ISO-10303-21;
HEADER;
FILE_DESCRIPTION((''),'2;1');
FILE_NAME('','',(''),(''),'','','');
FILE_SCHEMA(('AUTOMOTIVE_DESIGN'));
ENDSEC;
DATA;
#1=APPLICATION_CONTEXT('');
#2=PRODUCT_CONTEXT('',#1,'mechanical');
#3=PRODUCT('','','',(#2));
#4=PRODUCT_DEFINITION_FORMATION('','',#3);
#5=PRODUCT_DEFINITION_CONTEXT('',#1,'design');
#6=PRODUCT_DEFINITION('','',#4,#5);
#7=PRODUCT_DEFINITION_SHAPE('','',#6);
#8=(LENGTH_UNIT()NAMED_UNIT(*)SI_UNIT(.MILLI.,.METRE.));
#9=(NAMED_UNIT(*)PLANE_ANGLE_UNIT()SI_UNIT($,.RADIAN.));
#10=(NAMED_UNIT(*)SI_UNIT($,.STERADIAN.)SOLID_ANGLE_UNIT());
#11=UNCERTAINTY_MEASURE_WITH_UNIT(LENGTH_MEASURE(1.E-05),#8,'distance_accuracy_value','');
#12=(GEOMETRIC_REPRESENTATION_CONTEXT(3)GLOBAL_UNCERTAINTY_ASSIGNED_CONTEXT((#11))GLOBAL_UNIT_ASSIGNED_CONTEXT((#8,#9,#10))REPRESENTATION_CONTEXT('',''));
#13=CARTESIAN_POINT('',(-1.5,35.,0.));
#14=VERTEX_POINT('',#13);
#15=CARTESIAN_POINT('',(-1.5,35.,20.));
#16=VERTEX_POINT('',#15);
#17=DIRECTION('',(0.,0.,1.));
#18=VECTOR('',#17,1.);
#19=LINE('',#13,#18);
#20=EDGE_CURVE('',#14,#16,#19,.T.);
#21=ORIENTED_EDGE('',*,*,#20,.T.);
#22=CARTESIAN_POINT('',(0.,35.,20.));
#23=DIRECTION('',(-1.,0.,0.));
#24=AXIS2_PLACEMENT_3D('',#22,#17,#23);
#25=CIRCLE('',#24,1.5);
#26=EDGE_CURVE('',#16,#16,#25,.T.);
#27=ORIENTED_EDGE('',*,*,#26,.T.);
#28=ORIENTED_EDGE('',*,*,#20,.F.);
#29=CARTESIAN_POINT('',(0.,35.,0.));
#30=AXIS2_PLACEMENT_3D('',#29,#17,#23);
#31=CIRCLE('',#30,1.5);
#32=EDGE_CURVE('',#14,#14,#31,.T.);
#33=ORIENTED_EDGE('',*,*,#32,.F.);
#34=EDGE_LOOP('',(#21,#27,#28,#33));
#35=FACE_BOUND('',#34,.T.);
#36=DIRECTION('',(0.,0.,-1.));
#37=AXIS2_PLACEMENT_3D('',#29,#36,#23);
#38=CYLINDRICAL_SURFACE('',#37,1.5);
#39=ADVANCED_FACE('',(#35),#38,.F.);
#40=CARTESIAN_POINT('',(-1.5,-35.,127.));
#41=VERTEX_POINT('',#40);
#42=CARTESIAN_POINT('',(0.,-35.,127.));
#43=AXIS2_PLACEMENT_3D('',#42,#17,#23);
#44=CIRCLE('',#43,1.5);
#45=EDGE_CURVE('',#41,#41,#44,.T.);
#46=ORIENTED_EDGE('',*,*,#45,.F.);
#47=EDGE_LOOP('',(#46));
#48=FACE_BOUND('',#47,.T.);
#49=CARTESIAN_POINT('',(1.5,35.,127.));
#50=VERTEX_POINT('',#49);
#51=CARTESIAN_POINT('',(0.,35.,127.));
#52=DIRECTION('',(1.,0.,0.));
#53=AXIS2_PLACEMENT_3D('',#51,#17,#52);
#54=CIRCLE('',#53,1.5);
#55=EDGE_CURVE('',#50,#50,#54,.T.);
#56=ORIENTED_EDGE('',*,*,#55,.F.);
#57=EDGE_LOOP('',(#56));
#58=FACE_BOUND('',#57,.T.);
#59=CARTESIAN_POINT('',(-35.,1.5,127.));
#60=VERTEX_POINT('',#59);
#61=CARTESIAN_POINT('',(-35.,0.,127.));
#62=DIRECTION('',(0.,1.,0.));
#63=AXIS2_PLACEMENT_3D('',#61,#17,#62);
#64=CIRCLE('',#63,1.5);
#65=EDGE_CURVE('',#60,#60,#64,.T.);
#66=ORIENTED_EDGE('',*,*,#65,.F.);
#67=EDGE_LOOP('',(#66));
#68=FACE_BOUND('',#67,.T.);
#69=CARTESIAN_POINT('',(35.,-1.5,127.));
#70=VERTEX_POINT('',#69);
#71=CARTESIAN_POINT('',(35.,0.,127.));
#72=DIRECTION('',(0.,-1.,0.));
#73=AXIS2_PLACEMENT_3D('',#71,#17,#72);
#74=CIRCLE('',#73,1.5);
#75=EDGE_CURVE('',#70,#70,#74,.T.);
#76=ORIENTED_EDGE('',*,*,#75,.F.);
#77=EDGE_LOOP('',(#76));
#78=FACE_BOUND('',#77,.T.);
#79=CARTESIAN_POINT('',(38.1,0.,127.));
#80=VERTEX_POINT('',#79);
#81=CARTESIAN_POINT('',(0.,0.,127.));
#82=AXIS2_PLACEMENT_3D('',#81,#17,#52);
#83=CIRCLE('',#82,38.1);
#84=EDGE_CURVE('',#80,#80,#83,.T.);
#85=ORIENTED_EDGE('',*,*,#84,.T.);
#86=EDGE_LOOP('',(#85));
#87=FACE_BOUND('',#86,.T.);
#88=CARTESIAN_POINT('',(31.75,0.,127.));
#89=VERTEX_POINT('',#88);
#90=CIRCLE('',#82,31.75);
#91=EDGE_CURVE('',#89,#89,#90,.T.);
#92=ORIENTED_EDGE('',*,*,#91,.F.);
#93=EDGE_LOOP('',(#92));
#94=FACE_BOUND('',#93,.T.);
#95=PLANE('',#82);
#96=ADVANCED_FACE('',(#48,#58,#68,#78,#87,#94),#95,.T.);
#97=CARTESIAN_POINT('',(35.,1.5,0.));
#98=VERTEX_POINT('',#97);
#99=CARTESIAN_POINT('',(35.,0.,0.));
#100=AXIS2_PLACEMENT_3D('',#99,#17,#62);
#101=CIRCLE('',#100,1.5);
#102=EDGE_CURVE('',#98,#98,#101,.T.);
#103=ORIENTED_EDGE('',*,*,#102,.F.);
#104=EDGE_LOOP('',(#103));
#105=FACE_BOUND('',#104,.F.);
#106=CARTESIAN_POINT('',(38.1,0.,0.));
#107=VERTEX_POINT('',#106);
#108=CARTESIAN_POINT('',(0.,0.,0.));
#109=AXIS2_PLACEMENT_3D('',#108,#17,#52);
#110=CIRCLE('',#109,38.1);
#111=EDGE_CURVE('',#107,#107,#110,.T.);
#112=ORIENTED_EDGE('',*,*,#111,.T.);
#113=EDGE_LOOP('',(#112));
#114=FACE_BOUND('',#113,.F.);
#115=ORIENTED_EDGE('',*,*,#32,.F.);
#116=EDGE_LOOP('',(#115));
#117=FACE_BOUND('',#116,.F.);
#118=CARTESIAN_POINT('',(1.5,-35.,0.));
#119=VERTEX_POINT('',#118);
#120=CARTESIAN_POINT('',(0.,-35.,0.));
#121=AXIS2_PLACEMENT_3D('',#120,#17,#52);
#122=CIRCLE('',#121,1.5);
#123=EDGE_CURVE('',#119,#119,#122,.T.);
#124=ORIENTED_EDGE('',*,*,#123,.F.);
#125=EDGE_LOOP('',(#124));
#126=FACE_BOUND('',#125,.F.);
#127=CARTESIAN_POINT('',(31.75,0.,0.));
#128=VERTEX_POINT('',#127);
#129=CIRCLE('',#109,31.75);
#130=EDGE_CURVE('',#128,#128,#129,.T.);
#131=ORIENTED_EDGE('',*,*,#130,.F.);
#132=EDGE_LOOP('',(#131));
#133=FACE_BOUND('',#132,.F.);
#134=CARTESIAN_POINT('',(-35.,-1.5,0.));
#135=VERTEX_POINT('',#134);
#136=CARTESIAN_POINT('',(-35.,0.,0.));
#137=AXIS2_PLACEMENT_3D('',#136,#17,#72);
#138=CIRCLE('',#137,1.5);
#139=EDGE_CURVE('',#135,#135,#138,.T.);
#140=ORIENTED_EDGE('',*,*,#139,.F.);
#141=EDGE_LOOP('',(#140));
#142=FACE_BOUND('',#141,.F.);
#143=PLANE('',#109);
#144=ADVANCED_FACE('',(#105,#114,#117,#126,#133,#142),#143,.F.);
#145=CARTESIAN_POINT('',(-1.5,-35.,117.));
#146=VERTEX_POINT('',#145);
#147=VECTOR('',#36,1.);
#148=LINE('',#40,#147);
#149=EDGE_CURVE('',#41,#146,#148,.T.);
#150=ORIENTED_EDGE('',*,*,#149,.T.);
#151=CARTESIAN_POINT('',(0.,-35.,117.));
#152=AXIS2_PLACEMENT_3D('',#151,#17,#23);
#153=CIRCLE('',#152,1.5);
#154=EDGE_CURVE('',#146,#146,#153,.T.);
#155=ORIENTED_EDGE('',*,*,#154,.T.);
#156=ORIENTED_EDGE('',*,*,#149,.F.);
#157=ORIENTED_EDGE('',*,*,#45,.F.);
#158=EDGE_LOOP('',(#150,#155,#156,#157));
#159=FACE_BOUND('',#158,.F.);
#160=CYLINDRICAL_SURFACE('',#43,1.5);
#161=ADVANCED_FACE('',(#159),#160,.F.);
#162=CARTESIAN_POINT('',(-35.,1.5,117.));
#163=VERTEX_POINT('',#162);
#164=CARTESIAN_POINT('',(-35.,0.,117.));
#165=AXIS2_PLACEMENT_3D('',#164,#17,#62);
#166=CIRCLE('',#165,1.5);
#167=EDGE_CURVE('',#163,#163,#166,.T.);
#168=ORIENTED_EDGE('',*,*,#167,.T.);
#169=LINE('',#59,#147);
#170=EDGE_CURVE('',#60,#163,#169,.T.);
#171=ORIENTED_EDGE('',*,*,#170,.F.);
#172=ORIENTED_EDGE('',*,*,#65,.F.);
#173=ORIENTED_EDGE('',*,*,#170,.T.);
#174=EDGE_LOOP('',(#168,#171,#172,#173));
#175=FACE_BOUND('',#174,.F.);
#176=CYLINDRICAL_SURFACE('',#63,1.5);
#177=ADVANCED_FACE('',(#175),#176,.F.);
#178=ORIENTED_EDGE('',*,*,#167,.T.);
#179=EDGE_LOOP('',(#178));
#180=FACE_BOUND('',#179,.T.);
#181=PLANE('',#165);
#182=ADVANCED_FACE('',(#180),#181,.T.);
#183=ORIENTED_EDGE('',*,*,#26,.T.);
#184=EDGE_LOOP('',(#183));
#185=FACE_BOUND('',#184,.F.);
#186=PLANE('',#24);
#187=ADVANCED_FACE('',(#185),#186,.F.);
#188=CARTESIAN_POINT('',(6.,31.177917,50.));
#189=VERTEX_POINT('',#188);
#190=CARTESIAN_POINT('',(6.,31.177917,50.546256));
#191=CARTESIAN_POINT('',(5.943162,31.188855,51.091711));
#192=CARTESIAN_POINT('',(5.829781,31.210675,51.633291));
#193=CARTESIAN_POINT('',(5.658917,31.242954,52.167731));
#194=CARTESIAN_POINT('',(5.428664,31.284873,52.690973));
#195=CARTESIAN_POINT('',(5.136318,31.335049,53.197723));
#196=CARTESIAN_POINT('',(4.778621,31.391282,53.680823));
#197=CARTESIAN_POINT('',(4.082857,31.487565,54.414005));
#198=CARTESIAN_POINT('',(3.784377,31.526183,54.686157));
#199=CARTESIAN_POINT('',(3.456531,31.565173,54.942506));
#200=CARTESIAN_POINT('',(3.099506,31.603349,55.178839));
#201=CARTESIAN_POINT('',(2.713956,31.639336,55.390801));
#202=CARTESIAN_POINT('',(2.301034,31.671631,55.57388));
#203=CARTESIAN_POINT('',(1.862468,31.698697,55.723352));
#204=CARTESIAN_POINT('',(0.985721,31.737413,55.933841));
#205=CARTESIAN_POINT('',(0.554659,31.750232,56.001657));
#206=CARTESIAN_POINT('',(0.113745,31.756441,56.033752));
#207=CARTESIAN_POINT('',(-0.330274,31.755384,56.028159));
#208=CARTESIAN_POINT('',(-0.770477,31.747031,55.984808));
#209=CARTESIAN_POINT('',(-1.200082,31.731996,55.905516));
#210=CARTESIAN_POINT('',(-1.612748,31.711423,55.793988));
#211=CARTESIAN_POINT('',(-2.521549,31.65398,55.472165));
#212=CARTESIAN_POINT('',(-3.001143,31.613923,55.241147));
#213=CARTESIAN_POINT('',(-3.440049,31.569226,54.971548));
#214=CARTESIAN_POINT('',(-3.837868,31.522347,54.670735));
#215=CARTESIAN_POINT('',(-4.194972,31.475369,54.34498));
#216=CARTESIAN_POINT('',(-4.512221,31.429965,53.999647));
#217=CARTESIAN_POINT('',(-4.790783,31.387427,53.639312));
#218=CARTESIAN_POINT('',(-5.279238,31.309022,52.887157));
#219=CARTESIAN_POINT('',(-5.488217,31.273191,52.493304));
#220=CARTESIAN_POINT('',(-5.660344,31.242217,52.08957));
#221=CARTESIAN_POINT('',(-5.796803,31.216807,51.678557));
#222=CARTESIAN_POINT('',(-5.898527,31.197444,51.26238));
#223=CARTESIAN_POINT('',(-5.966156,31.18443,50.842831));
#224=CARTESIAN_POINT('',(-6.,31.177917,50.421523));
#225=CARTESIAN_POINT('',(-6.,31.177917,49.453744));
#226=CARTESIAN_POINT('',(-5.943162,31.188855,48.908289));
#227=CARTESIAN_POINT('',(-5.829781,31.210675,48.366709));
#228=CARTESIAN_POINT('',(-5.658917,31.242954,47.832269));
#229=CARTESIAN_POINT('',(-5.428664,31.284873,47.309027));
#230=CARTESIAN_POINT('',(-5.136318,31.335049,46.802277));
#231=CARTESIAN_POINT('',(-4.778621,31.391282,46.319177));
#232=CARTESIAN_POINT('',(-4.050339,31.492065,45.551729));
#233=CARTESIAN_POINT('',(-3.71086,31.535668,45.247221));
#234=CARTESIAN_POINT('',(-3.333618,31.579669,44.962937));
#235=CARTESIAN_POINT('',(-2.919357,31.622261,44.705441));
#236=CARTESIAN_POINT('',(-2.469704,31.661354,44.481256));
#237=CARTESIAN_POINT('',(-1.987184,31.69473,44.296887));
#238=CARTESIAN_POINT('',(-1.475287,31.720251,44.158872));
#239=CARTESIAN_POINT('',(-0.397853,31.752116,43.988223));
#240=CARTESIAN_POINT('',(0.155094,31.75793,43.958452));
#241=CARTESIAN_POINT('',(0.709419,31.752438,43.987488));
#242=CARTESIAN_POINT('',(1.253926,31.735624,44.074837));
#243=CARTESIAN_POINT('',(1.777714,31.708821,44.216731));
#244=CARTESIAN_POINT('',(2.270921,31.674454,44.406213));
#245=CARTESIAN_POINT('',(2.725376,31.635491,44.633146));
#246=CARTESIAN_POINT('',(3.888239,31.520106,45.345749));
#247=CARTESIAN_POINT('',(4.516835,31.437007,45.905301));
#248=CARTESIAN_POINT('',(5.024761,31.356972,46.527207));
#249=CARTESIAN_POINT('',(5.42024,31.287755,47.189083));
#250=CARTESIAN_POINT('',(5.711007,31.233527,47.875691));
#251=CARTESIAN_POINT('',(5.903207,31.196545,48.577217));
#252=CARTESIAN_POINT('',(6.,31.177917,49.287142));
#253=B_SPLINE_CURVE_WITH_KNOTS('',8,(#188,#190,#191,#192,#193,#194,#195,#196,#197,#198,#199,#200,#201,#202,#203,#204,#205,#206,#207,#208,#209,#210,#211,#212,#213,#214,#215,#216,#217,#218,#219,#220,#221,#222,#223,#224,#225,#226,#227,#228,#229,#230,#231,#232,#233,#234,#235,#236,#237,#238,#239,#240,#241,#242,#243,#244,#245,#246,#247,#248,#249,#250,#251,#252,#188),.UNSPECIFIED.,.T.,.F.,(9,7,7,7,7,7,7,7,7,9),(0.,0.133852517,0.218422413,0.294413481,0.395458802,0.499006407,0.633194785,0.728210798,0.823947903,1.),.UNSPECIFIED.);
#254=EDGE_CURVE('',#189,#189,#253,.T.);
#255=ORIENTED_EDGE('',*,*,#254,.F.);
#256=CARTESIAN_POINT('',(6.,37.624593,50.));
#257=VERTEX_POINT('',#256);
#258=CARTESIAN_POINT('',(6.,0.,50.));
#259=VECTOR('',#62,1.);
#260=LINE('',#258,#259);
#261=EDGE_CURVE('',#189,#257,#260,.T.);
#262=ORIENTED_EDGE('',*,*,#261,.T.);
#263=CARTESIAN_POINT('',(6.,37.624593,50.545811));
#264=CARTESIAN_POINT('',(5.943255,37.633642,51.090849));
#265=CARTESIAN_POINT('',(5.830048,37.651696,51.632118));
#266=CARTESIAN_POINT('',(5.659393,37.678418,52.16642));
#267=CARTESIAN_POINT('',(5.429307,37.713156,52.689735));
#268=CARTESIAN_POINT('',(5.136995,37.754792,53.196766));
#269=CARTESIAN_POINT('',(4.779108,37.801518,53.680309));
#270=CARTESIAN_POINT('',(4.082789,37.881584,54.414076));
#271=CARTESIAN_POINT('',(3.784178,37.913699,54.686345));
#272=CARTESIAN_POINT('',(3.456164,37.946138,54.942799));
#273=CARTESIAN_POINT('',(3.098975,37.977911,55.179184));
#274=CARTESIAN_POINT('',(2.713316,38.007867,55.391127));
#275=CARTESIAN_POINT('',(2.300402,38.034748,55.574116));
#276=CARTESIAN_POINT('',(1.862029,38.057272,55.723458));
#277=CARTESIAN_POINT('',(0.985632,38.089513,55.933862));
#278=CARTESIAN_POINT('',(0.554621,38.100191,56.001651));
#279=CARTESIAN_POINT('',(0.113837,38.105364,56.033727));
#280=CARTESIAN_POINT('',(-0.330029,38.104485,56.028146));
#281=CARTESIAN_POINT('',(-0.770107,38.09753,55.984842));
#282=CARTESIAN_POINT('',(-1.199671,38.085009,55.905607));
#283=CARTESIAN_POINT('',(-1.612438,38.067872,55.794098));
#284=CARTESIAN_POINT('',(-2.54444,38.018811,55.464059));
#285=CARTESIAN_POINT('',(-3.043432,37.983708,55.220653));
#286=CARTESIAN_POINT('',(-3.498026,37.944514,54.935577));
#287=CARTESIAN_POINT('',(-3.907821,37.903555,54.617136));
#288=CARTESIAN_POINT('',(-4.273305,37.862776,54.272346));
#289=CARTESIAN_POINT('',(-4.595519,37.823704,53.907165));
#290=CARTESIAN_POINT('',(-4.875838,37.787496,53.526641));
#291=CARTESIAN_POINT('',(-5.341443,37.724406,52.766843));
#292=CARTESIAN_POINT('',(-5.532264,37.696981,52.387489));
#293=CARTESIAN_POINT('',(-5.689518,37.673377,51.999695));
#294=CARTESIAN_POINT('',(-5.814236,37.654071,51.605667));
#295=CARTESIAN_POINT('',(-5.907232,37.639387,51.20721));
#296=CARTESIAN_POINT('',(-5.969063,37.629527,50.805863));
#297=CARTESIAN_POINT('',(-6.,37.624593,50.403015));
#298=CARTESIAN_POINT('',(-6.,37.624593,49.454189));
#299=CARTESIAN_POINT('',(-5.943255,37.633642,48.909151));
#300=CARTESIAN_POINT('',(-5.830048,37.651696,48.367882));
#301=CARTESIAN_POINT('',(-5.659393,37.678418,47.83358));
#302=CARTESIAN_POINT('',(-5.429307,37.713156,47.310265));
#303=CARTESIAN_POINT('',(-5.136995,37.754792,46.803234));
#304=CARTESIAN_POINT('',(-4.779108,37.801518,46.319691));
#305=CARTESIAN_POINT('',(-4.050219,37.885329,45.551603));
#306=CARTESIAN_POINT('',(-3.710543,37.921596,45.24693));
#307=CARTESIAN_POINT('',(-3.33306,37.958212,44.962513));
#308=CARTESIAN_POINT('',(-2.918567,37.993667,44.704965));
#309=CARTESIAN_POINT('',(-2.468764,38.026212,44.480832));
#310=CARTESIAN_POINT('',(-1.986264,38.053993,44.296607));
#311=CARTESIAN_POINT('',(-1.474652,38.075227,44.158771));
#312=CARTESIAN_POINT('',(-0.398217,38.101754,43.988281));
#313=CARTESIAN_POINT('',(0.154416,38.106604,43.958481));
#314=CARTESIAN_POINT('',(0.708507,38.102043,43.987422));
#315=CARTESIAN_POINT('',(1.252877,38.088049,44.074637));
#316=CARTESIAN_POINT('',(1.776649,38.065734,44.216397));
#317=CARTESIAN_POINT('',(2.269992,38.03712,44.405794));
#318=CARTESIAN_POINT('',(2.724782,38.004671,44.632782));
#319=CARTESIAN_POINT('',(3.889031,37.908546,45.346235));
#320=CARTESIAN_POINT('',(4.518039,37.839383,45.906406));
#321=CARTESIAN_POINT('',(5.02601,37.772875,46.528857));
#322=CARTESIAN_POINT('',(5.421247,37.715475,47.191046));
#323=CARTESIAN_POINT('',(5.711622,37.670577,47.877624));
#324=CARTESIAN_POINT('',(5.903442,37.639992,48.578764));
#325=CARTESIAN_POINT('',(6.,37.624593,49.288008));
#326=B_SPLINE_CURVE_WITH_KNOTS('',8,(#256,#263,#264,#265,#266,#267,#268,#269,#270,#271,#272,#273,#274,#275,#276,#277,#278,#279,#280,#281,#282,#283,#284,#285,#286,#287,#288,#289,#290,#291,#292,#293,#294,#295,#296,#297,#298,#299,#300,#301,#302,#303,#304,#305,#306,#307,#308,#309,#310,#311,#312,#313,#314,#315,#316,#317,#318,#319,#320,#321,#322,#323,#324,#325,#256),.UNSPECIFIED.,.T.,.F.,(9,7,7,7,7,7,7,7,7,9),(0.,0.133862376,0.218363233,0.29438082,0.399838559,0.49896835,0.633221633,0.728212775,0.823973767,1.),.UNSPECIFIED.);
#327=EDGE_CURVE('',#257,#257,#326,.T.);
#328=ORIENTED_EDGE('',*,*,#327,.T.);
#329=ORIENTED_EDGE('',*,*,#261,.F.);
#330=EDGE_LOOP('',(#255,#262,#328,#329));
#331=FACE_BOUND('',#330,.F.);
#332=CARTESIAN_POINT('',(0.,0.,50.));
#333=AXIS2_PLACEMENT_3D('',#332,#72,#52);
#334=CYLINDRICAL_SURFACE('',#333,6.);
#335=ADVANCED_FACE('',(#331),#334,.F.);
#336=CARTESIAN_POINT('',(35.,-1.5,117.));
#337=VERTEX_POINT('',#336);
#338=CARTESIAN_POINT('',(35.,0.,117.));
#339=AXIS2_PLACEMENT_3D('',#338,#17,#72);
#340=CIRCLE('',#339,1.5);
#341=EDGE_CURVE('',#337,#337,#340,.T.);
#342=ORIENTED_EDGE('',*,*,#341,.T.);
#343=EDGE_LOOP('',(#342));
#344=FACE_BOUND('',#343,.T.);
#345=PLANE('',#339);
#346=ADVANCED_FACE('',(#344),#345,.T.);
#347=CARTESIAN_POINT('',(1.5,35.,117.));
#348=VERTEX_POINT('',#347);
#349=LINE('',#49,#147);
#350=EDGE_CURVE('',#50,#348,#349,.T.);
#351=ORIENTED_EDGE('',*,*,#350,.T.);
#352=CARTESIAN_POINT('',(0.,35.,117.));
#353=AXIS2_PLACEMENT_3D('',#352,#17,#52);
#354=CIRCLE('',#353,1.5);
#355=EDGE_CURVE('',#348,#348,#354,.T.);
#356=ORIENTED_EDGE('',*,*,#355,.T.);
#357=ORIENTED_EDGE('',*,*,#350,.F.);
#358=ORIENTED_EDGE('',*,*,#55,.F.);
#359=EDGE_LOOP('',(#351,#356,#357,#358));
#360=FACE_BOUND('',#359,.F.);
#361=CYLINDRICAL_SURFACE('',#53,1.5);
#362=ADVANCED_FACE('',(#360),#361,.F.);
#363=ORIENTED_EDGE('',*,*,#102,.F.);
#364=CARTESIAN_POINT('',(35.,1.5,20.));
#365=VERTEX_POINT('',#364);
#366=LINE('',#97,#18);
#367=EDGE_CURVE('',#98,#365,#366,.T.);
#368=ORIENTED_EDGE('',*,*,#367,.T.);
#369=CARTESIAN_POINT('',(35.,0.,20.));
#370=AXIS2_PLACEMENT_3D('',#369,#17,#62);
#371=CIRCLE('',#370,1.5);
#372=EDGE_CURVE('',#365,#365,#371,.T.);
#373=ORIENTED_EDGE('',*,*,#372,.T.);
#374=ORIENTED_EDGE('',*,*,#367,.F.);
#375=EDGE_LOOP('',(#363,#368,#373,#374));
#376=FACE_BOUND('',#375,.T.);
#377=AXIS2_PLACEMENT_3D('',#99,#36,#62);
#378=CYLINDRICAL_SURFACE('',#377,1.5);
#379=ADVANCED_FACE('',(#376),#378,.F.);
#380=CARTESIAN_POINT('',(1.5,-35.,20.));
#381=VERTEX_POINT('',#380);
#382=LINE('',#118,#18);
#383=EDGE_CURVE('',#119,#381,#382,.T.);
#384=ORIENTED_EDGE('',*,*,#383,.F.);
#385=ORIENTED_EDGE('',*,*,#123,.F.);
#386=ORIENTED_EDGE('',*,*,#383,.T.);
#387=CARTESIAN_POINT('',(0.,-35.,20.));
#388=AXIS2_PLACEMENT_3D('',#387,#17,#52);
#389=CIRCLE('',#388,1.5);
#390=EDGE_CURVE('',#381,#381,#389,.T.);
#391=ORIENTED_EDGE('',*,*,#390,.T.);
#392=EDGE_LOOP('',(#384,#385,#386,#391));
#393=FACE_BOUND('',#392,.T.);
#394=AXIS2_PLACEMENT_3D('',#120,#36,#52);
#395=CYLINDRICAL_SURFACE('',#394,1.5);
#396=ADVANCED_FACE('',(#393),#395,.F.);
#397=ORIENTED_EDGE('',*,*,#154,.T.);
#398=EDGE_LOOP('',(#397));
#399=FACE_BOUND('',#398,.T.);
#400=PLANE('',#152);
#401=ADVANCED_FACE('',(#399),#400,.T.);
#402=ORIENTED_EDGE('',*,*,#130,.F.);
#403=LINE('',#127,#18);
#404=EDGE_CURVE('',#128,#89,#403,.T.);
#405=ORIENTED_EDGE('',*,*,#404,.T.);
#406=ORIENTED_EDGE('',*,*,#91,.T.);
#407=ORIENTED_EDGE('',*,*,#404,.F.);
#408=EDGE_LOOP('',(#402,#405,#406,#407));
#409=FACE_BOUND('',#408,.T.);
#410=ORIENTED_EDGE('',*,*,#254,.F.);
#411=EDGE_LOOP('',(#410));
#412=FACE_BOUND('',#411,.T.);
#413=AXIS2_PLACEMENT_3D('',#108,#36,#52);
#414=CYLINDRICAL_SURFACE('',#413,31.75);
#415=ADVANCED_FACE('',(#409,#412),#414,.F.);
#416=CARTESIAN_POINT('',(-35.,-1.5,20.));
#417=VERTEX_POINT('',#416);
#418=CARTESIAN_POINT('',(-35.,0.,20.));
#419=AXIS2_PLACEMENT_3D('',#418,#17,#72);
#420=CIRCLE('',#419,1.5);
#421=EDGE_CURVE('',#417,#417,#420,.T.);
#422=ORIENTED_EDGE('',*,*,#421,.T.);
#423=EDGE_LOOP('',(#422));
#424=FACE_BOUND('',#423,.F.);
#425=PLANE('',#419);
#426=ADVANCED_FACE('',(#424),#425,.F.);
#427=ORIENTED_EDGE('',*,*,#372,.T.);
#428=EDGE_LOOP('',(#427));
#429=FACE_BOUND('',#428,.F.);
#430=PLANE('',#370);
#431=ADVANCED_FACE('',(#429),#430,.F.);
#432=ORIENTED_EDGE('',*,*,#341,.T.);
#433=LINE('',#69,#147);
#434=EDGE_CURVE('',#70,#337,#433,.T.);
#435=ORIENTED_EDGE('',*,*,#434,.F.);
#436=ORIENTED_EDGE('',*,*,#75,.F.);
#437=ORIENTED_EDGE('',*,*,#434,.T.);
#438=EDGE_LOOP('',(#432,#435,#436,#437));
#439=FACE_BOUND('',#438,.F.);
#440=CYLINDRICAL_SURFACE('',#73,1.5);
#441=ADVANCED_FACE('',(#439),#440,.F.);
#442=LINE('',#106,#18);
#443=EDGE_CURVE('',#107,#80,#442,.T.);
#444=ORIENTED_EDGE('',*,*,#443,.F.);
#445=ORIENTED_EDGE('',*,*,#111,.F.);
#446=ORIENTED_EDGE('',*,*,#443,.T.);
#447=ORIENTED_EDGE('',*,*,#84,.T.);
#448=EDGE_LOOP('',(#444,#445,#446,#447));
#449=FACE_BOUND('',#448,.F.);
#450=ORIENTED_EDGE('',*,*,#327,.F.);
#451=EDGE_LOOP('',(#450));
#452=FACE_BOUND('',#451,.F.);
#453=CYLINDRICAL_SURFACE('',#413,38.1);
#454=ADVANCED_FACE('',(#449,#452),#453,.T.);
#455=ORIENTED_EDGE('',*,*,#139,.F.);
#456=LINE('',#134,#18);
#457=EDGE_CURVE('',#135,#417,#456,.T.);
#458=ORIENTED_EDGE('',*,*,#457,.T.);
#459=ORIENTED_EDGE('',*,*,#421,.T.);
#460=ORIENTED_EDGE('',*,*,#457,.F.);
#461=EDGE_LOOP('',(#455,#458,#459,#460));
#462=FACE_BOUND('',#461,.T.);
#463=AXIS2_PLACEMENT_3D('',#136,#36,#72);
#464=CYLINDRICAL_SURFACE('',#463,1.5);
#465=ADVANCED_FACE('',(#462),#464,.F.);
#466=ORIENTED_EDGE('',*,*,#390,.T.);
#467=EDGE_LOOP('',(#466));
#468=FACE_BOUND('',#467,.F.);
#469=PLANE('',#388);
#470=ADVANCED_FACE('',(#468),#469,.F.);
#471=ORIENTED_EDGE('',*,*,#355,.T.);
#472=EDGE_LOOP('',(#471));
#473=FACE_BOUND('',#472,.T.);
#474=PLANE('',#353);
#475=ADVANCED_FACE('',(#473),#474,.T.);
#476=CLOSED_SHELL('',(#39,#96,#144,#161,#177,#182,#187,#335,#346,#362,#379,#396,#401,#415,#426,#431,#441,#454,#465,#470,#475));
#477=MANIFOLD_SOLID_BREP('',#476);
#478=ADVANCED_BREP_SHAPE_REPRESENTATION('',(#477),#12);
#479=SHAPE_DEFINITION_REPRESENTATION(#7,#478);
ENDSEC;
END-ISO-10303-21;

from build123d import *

# Parameters (mm, degrees)
F0_R     = 38.1
F0_R_2   = 1.5
F0_R_3   = 31.75
F1_DEPTH = 127
F2_R     = 6
F3_DEPTH = 42.2
F4_R     = 1.5
F5_DEPTH = 10
F6_COUNT = 4
F7_DEPTH = 20
F8_COUNT = 4


with BuildPart() as f1:
    # F0 (on Top) → F1 (new body)
    with BuildSketch(Plane.XY):
        Circle(F0_R)
        with Locations((0, -35)):
            Circle(F0_R_2, mode=Mode.SUBTRACT)
        Circle(F0_R_3, mode=Mode.SUBTRACT)
        with Locations((0, -35)):
            Circle(F0_R_2)
    extrude(amount=F1_DEPTH)

    # F2 (on Front) → F3 (cut)
    with BuildSketch(Plane.XZ):
        with Locations((0, 50)):
            Circle(F2_R)
    extrude(amount=-F3_DEPTH, mode=Mode.SUBTRACT)

    # F6: F5 ×4 about axis
    f6_axis = Axis((0, 0, 127), (0, 0, 1))


with BuildPart() as f5:
    # F4 (on face) → F5 (new body)
    with BuildSketch(Plane.XY.offset(127)):
        with Locations((0, 35)):
            Circle(F4_R)
    extrude(amount=-F5_DEPTH)


with BuildPart() as f1_1:
    add(f1.part)
    for i in range(1, F6_COUNT):
        add(f5.part.rotate(f6_axis, i * 360 / F6_COUNT), mode=Mode.SUBTRACT)

    # F6#seed: cut F5
    add(f5.part, mode=Mode.SUBTRACT)

    # F8: F7 ×4 about axis
    f8_axis = Axis((0, 0, 0), (0, 0, 1))


with BuildPart() as f7:
    # F0 (on Top) → F7 (new body)
    with BuildSketch(Plane.XY):
        with Locations((0, -35)):
            Circle(F0_R_2)
    extrude(amount=F7_DEPTH)


with BuildPart() as f1_2:
    add(f1_1.part)
    for i in range(1, F8_COUNT):
        add(f7.part.rotate(f8_axis, i * 360 / F8_COUNT), mode=Mode.SUBTRACT)

    # F8#seed: cut F7
    add(f7.part, mode=Mode.SUBTRACT)


solid = f1_2.part
